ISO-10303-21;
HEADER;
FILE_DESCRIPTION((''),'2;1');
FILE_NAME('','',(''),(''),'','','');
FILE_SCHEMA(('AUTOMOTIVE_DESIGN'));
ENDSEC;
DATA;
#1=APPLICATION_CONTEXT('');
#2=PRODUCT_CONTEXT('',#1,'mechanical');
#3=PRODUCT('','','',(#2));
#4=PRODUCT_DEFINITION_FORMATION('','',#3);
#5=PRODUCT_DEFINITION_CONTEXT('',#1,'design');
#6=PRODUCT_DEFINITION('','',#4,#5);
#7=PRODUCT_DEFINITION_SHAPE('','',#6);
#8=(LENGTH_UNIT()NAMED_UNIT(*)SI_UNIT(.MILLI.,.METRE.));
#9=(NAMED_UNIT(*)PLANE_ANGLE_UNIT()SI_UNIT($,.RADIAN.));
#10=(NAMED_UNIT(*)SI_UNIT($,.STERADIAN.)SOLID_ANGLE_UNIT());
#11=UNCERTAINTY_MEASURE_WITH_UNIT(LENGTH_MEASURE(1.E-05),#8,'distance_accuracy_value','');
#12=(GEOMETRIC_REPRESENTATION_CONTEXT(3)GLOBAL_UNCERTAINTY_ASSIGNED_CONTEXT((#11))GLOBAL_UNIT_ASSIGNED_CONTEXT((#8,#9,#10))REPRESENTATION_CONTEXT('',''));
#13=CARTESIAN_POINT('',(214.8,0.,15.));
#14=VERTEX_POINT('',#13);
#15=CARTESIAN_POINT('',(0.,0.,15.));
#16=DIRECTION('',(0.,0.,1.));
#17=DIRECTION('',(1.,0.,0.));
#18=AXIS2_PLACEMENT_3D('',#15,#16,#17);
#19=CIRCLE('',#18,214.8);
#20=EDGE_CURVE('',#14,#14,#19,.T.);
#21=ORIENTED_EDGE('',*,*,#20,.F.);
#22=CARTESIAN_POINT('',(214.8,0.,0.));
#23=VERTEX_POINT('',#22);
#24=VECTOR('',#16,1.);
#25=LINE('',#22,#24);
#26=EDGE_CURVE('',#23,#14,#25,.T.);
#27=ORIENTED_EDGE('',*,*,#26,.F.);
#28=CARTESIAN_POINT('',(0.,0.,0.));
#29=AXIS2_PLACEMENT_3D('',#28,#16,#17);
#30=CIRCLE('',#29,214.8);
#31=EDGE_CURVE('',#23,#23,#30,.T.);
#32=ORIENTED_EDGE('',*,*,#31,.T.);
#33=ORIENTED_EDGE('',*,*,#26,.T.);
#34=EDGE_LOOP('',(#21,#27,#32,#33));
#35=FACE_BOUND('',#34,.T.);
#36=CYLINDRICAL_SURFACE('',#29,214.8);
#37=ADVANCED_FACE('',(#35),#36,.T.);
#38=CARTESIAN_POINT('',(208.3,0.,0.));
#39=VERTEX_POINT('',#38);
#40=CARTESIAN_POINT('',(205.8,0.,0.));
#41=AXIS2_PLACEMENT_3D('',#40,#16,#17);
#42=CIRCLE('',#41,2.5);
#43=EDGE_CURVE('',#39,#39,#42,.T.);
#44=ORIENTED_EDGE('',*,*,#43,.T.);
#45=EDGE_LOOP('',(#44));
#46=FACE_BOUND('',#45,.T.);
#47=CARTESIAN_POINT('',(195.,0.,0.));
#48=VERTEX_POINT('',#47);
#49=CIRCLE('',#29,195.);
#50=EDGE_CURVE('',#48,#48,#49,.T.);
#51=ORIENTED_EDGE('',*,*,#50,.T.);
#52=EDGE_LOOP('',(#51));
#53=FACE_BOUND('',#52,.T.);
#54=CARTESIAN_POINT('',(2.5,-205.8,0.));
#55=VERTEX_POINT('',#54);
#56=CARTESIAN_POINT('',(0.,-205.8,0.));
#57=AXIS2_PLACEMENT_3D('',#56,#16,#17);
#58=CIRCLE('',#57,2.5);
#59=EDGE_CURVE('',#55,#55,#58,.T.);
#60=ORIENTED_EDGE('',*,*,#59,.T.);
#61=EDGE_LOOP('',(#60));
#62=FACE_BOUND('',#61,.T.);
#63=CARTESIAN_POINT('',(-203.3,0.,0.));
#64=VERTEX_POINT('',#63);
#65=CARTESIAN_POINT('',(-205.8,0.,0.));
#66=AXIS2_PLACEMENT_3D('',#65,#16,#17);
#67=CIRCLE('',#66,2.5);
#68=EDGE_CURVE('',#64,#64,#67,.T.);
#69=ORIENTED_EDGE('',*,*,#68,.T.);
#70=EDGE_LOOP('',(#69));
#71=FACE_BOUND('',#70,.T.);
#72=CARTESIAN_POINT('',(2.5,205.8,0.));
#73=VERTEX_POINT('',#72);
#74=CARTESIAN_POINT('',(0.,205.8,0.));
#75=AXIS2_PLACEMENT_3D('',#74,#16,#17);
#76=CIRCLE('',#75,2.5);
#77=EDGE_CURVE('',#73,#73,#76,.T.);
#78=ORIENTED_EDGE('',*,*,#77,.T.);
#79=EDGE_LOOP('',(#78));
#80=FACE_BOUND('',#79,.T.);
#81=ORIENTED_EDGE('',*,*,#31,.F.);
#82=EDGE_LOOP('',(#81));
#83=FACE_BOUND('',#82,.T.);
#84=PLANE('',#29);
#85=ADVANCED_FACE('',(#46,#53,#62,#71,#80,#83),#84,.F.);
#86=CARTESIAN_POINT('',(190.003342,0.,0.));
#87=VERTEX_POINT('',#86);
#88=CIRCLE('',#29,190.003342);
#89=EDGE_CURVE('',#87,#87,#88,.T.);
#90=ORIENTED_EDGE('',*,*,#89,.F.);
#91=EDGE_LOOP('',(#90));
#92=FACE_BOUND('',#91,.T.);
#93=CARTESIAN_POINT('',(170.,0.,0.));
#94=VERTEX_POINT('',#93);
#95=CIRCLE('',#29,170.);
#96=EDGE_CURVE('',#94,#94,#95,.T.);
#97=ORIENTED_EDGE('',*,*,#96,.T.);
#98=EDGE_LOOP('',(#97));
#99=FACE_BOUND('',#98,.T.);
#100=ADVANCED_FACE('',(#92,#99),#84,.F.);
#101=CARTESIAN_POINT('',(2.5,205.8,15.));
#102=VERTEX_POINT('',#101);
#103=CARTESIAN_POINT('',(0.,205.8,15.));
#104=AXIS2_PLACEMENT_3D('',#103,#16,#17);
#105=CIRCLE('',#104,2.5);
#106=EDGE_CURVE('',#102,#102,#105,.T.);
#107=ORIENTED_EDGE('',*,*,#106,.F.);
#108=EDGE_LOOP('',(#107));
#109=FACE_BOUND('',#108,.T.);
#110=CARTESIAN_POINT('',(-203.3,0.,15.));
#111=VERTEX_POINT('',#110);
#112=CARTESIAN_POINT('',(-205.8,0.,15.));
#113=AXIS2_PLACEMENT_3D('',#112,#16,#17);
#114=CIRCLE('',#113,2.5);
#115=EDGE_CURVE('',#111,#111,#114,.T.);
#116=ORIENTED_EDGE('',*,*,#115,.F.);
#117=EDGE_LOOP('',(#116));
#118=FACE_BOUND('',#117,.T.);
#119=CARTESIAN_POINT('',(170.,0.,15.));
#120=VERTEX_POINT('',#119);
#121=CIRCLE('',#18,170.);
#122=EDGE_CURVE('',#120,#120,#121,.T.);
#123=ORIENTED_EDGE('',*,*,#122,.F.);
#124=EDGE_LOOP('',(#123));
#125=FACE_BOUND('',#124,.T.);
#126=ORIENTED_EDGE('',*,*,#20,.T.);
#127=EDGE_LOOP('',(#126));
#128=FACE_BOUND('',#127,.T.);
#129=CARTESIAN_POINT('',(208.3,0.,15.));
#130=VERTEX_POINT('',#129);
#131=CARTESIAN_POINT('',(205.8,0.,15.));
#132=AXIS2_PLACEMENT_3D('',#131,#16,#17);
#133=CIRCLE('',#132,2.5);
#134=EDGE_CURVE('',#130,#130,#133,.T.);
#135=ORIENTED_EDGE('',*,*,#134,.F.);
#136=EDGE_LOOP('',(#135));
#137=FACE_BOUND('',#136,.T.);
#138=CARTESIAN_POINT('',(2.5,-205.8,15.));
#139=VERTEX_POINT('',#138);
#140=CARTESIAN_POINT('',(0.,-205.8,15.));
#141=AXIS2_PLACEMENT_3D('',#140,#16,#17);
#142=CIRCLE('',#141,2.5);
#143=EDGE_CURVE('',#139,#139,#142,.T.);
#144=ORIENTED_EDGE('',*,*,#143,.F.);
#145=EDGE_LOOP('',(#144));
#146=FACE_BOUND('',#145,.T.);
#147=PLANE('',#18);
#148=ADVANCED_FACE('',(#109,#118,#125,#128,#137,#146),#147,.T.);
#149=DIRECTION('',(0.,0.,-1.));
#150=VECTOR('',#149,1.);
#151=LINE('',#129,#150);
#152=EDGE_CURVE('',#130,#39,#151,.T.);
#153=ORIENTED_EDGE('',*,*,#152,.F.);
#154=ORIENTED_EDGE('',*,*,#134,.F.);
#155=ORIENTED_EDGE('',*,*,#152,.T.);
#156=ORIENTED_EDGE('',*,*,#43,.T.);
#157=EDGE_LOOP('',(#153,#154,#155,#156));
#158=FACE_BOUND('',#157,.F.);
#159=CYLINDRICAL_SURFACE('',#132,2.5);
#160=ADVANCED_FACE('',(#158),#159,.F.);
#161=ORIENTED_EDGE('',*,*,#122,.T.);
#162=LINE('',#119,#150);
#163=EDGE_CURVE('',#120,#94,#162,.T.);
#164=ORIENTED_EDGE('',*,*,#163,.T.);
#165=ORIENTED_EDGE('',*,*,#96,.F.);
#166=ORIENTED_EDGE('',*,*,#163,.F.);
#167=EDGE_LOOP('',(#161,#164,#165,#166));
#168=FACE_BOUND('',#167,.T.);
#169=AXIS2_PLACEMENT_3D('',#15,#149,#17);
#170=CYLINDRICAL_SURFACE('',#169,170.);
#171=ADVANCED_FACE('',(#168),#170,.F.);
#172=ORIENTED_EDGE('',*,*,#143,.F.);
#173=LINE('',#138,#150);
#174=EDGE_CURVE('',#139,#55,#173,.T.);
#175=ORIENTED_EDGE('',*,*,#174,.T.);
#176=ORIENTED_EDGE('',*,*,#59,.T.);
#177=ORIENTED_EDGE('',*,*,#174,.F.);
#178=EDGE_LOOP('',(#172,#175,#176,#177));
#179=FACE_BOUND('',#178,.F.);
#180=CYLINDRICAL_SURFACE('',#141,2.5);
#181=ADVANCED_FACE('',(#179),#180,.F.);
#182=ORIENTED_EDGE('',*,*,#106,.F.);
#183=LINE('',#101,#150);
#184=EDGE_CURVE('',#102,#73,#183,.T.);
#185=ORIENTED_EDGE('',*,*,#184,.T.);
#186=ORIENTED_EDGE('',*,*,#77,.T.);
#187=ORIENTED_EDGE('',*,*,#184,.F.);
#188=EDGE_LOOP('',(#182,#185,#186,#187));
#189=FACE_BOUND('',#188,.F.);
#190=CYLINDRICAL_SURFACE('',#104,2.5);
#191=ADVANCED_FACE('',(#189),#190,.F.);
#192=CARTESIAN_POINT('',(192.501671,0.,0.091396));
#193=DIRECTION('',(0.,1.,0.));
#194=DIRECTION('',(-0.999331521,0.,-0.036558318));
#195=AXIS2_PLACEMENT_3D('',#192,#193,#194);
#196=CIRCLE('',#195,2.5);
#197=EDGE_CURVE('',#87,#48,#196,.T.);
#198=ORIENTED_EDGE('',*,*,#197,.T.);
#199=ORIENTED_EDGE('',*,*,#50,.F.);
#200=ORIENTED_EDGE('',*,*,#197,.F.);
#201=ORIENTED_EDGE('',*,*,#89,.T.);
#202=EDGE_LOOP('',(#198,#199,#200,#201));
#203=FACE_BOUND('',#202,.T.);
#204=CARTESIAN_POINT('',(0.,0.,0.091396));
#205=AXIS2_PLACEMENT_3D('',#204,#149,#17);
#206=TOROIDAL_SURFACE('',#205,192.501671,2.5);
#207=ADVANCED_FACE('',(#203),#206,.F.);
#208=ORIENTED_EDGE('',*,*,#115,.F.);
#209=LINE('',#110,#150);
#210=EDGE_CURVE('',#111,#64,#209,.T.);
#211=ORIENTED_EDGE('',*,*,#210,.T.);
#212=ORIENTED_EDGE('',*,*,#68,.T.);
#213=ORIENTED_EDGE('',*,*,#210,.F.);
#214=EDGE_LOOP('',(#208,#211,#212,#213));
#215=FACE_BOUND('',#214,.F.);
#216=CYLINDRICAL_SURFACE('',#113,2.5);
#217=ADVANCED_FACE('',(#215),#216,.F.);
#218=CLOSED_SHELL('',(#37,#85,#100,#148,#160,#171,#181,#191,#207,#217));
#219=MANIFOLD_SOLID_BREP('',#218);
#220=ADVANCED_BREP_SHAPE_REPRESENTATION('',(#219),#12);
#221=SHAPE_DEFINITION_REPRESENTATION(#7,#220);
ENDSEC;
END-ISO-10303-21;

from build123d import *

# Parameters (mm, degrees)
F2_R     = 2.5
F3_DEPTH = 25


with BuildPart() as f1:
    # F0 (on Front) → F1 (revolve)
    with BuildSketch(Plane.XZ):
        with BuildLine():
            Line((195, 0), (214.8, 0))
            Line((214.8, 0), (214.8, 15))
            Line((214.8, 15), (170, 15))
            Line((170, 15), (170, 0))
            Line((170, 0), (190.003342, 0))
            ThreePointArc((190.003342, 0), (192.501671, 2.591396), (195, 0))
        make_face()
    revolve(axis=Axis((0, 0, 19.496838), (0, 0, 1)))

    # F2 (on face) → F3 (cut)
    with BuildSketch(Plane.XY.offset(15)):
        with Locations((205.8, 0)):
            Circle(F2_R)
        with Locations((0, 205.8)):
            Circle(F2_R)
        with Locations((-205.8, 0)):
            Circle(F2_R)
        with Locations((0, -205.8)):
            Circle(F2_R)
    extrude(amount=-F3_DEPTH, mode=Mode.SUBTRACT)


solid = f1.part
